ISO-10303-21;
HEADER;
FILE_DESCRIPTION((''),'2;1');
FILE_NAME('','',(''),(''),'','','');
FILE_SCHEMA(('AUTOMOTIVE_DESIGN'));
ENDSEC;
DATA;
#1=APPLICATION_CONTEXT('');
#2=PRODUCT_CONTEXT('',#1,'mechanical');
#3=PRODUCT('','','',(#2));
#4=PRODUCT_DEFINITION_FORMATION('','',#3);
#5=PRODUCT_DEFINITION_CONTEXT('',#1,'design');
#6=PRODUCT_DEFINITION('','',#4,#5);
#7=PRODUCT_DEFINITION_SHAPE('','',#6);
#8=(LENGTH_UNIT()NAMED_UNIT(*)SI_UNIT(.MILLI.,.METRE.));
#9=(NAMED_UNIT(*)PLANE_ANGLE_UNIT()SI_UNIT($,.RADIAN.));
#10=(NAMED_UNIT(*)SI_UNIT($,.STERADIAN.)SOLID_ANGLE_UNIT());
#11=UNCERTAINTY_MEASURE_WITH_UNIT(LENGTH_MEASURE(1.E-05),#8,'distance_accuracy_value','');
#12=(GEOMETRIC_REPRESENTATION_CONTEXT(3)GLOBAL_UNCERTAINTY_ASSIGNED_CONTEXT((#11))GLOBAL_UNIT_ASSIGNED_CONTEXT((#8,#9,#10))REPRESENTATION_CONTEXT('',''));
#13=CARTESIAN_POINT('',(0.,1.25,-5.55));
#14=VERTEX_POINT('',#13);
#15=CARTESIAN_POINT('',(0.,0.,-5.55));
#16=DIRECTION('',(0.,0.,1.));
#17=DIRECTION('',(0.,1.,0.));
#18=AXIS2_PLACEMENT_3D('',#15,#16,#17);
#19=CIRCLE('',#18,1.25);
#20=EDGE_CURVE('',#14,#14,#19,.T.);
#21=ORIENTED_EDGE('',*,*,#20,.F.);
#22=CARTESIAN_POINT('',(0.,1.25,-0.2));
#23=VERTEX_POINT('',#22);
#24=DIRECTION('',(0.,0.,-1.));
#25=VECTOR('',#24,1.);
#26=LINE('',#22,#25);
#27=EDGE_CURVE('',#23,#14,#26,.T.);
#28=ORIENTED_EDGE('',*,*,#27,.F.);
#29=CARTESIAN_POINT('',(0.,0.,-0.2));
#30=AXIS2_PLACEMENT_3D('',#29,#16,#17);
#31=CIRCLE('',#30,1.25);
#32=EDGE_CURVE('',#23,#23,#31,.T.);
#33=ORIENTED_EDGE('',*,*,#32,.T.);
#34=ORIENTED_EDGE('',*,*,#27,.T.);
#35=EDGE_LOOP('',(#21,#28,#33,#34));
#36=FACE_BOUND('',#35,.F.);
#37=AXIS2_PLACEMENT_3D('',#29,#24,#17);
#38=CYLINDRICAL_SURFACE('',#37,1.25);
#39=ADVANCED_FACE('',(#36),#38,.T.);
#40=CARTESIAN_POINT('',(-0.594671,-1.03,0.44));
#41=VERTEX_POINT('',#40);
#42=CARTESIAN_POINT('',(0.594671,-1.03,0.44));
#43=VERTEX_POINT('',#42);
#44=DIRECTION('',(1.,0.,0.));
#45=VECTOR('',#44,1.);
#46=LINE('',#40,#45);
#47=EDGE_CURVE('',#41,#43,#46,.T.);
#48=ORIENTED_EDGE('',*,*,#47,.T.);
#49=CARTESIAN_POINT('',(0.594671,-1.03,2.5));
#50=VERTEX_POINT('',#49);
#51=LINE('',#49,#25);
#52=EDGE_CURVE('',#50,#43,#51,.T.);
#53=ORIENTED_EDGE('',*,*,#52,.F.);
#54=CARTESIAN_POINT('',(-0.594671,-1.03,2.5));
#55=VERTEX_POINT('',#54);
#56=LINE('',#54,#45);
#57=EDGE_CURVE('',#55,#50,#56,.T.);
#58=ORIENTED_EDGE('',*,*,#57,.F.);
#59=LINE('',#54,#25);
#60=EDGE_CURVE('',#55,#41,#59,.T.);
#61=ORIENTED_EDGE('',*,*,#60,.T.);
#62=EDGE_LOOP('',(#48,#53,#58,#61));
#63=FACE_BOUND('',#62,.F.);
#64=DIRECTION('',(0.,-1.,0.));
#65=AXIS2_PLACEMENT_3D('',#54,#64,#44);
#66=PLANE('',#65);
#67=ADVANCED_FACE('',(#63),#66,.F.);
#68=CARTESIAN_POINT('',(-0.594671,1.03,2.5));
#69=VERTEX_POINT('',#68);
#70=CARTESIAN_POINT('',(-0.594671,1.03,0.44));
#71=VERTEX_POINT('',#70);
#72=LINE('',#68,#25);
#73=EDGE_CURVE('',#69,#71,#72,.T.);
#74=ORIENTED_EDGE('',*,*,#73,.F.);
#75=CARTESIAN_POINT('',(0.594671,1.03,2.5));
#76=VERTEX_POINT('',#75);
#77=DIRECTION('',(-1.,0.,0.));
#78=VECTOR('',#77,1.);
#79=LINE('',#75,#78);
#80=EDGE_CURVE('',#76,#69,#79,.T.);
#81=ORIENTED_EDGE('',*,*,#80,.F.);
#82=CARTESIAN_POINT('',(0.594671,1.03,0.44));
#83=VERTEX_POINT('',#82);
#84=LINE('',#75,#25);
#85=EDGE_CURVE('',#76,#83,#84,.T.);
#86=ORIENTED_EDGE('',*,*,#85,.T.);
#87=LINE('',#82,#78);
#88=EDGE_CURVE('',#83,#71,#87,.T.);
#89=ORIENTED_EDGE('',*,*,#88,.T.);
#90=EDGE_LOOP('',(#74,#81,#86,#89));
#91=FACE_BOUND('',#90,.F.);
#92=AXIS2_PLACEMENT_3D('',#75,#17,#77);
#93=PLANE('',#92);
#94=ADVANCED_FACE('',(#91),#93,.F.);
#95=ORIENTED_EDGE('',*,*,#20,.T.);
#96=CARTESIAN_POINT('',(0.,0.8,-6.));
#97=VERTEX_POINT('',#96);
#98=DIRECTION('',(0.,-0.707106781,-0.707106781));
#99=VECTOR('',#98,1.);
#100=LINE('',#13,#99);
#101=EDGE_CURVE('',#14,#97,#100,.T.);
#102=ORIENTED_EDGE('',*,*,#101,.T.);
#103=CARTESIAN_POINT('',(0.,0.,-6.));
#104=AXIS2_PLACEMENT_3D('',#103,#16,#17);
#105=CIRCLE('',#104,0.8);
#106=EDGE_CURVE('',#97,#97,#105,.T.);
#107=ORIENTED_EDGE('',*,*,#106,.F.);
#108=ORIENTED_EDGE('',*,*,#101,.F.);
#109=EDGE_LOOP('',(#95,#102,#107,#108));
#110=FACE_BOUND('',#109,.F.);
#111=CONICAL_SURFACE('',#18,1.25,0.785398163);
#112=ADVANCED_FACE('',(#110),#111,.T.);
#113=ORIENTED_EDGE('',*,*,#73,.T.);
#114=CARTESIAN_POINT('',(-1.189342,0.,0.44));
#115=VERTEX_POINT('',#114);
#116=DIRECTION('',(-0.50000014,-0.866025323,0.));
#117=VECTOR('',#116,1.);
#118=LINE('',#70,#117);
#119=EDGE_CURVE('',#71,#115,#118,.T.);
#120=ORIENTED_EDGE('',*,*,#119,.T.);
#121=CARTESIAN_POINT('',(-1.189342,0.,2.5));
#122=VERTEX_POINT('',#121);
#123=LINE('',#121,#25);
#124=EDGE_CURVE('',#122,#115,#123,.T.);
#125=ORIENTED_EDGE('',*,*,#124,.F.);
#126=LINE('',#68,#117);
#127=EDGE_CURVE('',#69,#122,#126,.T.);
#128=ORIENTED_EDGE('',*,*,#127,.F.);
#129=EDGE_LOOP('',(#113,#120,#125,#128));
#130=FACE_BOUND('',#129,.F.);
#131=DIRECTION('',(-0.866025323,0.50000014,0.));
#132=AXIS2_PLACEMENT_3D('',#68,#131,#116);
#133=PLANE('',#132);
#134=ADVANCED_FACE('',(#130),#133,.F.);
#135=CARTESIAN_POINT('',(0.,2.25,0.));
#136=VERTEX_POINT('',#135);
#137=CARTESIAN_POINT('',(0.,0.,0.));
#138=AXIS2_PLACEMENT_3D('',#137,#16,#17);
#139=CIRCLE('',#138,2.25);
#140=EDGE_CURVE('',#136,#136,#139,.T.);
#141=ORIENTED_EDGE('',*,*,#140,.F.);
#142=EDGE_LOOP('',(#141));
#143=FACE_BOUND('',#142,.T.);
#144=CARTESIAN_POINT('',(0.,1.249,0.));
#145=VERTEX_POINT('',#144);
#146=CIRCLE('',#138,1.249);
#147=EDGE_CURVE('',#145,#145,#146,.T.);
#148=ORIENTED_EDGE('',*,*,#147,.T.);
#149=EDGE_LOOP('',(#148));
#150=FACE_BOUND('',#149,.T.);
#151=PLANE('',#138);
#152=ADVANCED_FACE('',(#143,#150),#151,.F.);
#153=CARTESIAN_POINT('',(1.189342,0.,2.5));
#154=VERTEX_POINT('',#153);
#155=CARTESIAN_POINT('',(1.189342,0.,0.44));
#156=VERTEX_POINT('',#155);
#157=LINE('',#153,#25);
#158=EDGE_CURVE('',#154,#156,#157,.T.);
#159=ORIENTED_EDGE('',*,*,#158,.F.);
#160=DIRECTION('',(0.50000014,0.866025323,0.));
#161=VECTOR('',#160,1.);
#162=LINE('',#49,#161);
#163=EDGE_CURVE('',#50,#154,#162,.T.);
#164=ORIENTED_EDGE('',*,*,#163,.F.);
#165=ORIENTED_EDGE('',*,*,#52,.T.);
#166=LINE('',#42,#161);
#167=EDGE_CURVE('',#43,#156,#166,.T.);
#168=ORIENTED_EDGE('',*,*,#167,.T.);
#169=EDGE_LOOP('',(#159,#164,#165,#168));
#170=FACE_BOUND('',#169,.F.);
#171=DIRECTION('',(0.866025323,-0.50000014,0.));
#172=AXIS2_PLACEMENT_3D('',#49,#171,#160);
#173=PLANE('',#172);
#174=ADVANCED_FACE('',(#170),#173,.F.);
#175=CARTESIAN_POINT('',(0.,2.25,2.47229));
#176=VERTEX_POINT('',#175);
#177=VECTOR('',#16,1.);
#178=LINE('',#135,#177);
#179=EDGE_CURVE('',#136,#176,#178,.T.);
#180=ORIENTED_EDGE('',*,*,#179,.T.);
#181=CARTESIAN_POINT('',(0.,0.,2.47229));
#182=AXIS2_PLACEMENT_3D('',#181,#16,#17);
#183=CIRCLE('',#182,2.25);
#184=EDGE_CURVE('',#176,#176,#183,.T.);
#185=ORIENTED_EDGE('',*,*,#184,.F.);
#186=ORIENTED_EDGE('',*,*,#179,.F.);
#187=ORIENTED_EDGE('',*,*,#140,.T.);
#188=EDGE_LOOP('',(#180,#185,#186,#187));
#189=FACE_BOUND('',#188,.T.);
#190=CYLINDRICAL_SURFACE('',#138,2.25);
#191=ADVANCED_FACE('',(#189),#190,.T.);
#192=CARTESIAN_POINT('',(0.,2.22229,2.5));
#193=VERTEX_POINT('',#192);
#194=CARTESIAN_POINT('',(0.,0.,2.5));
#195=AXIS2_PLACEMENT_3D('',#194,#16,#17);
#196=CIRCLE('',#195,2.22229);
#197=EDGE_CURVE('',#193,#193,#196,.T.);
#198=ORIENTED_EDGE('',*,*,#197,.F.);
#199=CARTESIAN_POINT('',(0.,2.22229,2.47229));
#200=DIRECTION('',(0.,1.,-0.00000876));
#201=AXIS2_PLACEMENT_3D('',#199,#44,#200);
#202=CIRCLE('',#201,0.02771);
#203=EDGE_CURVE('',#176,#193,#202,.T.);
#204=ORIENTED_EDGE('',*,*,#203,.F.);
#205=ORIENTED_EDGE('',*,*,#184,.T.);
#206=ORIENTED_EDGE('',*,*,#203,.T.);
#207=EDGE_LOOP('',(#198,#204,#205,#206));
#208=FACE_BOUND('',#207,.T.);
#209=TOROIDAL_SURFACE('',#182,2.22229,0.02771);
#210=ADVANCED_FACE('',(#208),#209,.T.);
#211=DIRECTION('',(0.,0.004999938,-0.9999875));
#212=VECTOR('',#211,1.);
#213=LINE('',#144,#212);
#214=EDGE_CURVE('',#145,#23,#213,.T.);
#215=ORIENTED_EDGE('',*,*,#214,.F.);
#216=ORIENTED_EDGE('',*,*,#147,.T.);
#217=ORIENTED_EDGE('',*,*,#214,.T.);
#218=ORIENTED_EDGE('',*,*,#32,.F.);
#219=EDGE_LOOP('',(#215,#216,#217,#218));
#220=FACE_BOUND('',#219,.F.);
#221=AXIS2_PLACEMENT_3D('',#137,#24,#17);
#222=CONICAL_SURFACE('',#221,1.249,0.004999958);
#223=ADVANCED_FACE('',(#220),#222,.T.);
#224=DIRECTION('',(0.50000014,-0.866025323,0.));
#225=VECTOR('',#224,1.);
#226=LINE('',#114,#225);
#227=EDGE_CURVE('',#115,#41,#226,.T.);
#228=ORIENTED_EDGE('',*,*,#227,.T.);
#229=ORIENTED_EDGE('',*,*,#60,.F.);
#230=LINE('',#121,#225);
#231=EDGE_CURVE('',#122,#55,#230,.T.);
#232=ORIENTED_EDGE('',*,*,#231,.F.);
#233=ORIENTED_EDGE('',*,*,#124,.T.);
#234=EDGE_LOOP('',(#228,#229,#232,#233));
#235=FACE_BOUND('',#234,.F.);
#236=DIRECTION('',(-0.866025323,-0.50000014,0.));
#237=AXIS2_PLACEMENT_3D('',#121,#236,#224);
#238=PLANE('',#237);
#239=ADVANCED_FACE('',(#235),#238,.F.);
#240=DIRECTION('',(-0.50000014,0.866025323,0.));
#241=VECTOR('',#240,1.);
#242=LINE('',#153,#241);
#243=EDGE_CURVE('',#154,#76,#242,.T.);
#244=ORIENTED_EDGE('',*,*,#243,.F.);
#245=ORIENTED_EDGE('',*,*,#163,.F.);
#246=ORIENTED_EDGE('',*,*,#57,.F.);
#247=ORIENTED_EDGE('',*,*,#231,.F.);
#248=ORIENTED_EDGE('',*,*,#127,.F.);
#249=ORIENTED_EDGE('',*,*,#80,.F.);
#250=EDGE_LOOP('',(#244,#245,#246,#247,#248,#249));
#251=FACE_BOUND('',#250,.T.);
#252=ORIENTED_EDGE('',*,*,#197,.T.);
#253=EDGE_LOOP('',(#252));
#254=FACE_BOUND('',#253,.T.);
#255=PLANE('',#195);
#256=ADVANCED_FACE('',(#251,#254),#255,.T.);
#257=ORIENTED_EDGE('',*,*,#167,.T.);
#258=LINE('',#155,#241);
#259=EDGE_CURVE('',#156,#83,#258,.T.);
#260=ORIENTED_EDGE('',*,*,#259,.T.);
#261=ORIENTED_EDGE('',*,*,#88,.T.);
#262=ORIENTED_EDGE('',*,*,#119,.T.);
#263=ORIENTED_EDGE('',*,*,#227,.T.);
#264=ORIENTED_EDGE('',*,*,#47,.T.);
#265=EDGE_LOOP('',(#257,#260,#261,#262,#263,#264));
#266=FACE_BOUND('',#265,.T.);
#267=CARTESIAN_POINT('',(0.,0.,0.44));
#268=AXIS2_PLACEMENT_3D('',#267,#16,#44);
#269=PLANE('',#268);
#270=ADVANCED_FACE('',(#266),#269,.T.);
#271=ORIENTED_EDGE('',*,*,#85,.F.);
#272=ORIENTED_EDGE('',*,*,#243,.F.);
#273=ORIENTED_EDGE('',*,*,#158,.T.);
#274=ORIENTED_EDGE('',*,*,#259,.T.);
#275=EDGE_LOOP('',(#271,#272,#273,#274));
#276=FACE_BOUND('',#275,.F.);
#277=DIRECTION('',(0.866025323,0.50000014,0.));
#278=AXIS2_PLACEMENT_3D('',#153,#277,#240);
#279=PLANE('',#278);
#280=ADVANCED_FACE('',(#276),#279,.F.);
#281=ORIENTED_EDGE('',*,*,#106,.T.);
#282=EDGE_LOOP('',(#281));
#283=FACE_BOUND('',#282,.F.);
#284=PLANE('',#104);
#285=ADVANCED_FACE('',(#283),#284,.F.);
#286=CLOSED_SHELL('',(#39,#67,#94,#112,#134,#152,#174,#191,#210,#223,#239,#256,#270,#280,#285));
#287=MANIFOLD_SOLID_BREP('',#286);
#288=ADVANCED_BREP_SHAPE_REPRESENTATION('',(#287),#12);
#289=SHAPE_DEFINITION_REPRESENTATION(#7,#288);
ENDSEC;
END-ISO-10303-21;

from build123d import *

# Parameters (mm, degrees)
POCKET_DEPTH = 2.06


with BuildPart() as part:
    # Sketch → Revolve (revolve)
    with BuildSketch(Plane.YZ):
        with BuildLine():
            Line((1.249, 0), (2.25, 0))
            Line((2.25, 0), (2.25, 2.47229))
            ThreePointArc((2.25, 2.47229), (2.241884, 2.491884), (2.22229, 2.5))
            Line((2.22229, 2.5), (0, 2.5))
            Line((0, -6), (0, 2.5))
            Line((0.8, -6), (0, -6))
            Line((1.25, -5.55), (0.8, -6))
            Line((1.25, -0.2), (1.25, -5.55))
            Line((1.249, 0), (1.25, -0.2))
        make_face()
    revolve(axis=Axis((0, 0, 0), (0, 0, 1)))

    # Sketch001 → Pocket (cut)
    with BuildSketch(Plane.XY.offset(2.5)):
        Polygon((1.189342, 0), (0.594671, 1.03), (-0.594671, 1.03), (-1.189342, 0), (-0.594671, -1.03), (0.594671, -1.03), align=None)
    extrude(amount=-POCKET_DEPTH, mode=Mode.SUBTRACT)


solid = part.part
